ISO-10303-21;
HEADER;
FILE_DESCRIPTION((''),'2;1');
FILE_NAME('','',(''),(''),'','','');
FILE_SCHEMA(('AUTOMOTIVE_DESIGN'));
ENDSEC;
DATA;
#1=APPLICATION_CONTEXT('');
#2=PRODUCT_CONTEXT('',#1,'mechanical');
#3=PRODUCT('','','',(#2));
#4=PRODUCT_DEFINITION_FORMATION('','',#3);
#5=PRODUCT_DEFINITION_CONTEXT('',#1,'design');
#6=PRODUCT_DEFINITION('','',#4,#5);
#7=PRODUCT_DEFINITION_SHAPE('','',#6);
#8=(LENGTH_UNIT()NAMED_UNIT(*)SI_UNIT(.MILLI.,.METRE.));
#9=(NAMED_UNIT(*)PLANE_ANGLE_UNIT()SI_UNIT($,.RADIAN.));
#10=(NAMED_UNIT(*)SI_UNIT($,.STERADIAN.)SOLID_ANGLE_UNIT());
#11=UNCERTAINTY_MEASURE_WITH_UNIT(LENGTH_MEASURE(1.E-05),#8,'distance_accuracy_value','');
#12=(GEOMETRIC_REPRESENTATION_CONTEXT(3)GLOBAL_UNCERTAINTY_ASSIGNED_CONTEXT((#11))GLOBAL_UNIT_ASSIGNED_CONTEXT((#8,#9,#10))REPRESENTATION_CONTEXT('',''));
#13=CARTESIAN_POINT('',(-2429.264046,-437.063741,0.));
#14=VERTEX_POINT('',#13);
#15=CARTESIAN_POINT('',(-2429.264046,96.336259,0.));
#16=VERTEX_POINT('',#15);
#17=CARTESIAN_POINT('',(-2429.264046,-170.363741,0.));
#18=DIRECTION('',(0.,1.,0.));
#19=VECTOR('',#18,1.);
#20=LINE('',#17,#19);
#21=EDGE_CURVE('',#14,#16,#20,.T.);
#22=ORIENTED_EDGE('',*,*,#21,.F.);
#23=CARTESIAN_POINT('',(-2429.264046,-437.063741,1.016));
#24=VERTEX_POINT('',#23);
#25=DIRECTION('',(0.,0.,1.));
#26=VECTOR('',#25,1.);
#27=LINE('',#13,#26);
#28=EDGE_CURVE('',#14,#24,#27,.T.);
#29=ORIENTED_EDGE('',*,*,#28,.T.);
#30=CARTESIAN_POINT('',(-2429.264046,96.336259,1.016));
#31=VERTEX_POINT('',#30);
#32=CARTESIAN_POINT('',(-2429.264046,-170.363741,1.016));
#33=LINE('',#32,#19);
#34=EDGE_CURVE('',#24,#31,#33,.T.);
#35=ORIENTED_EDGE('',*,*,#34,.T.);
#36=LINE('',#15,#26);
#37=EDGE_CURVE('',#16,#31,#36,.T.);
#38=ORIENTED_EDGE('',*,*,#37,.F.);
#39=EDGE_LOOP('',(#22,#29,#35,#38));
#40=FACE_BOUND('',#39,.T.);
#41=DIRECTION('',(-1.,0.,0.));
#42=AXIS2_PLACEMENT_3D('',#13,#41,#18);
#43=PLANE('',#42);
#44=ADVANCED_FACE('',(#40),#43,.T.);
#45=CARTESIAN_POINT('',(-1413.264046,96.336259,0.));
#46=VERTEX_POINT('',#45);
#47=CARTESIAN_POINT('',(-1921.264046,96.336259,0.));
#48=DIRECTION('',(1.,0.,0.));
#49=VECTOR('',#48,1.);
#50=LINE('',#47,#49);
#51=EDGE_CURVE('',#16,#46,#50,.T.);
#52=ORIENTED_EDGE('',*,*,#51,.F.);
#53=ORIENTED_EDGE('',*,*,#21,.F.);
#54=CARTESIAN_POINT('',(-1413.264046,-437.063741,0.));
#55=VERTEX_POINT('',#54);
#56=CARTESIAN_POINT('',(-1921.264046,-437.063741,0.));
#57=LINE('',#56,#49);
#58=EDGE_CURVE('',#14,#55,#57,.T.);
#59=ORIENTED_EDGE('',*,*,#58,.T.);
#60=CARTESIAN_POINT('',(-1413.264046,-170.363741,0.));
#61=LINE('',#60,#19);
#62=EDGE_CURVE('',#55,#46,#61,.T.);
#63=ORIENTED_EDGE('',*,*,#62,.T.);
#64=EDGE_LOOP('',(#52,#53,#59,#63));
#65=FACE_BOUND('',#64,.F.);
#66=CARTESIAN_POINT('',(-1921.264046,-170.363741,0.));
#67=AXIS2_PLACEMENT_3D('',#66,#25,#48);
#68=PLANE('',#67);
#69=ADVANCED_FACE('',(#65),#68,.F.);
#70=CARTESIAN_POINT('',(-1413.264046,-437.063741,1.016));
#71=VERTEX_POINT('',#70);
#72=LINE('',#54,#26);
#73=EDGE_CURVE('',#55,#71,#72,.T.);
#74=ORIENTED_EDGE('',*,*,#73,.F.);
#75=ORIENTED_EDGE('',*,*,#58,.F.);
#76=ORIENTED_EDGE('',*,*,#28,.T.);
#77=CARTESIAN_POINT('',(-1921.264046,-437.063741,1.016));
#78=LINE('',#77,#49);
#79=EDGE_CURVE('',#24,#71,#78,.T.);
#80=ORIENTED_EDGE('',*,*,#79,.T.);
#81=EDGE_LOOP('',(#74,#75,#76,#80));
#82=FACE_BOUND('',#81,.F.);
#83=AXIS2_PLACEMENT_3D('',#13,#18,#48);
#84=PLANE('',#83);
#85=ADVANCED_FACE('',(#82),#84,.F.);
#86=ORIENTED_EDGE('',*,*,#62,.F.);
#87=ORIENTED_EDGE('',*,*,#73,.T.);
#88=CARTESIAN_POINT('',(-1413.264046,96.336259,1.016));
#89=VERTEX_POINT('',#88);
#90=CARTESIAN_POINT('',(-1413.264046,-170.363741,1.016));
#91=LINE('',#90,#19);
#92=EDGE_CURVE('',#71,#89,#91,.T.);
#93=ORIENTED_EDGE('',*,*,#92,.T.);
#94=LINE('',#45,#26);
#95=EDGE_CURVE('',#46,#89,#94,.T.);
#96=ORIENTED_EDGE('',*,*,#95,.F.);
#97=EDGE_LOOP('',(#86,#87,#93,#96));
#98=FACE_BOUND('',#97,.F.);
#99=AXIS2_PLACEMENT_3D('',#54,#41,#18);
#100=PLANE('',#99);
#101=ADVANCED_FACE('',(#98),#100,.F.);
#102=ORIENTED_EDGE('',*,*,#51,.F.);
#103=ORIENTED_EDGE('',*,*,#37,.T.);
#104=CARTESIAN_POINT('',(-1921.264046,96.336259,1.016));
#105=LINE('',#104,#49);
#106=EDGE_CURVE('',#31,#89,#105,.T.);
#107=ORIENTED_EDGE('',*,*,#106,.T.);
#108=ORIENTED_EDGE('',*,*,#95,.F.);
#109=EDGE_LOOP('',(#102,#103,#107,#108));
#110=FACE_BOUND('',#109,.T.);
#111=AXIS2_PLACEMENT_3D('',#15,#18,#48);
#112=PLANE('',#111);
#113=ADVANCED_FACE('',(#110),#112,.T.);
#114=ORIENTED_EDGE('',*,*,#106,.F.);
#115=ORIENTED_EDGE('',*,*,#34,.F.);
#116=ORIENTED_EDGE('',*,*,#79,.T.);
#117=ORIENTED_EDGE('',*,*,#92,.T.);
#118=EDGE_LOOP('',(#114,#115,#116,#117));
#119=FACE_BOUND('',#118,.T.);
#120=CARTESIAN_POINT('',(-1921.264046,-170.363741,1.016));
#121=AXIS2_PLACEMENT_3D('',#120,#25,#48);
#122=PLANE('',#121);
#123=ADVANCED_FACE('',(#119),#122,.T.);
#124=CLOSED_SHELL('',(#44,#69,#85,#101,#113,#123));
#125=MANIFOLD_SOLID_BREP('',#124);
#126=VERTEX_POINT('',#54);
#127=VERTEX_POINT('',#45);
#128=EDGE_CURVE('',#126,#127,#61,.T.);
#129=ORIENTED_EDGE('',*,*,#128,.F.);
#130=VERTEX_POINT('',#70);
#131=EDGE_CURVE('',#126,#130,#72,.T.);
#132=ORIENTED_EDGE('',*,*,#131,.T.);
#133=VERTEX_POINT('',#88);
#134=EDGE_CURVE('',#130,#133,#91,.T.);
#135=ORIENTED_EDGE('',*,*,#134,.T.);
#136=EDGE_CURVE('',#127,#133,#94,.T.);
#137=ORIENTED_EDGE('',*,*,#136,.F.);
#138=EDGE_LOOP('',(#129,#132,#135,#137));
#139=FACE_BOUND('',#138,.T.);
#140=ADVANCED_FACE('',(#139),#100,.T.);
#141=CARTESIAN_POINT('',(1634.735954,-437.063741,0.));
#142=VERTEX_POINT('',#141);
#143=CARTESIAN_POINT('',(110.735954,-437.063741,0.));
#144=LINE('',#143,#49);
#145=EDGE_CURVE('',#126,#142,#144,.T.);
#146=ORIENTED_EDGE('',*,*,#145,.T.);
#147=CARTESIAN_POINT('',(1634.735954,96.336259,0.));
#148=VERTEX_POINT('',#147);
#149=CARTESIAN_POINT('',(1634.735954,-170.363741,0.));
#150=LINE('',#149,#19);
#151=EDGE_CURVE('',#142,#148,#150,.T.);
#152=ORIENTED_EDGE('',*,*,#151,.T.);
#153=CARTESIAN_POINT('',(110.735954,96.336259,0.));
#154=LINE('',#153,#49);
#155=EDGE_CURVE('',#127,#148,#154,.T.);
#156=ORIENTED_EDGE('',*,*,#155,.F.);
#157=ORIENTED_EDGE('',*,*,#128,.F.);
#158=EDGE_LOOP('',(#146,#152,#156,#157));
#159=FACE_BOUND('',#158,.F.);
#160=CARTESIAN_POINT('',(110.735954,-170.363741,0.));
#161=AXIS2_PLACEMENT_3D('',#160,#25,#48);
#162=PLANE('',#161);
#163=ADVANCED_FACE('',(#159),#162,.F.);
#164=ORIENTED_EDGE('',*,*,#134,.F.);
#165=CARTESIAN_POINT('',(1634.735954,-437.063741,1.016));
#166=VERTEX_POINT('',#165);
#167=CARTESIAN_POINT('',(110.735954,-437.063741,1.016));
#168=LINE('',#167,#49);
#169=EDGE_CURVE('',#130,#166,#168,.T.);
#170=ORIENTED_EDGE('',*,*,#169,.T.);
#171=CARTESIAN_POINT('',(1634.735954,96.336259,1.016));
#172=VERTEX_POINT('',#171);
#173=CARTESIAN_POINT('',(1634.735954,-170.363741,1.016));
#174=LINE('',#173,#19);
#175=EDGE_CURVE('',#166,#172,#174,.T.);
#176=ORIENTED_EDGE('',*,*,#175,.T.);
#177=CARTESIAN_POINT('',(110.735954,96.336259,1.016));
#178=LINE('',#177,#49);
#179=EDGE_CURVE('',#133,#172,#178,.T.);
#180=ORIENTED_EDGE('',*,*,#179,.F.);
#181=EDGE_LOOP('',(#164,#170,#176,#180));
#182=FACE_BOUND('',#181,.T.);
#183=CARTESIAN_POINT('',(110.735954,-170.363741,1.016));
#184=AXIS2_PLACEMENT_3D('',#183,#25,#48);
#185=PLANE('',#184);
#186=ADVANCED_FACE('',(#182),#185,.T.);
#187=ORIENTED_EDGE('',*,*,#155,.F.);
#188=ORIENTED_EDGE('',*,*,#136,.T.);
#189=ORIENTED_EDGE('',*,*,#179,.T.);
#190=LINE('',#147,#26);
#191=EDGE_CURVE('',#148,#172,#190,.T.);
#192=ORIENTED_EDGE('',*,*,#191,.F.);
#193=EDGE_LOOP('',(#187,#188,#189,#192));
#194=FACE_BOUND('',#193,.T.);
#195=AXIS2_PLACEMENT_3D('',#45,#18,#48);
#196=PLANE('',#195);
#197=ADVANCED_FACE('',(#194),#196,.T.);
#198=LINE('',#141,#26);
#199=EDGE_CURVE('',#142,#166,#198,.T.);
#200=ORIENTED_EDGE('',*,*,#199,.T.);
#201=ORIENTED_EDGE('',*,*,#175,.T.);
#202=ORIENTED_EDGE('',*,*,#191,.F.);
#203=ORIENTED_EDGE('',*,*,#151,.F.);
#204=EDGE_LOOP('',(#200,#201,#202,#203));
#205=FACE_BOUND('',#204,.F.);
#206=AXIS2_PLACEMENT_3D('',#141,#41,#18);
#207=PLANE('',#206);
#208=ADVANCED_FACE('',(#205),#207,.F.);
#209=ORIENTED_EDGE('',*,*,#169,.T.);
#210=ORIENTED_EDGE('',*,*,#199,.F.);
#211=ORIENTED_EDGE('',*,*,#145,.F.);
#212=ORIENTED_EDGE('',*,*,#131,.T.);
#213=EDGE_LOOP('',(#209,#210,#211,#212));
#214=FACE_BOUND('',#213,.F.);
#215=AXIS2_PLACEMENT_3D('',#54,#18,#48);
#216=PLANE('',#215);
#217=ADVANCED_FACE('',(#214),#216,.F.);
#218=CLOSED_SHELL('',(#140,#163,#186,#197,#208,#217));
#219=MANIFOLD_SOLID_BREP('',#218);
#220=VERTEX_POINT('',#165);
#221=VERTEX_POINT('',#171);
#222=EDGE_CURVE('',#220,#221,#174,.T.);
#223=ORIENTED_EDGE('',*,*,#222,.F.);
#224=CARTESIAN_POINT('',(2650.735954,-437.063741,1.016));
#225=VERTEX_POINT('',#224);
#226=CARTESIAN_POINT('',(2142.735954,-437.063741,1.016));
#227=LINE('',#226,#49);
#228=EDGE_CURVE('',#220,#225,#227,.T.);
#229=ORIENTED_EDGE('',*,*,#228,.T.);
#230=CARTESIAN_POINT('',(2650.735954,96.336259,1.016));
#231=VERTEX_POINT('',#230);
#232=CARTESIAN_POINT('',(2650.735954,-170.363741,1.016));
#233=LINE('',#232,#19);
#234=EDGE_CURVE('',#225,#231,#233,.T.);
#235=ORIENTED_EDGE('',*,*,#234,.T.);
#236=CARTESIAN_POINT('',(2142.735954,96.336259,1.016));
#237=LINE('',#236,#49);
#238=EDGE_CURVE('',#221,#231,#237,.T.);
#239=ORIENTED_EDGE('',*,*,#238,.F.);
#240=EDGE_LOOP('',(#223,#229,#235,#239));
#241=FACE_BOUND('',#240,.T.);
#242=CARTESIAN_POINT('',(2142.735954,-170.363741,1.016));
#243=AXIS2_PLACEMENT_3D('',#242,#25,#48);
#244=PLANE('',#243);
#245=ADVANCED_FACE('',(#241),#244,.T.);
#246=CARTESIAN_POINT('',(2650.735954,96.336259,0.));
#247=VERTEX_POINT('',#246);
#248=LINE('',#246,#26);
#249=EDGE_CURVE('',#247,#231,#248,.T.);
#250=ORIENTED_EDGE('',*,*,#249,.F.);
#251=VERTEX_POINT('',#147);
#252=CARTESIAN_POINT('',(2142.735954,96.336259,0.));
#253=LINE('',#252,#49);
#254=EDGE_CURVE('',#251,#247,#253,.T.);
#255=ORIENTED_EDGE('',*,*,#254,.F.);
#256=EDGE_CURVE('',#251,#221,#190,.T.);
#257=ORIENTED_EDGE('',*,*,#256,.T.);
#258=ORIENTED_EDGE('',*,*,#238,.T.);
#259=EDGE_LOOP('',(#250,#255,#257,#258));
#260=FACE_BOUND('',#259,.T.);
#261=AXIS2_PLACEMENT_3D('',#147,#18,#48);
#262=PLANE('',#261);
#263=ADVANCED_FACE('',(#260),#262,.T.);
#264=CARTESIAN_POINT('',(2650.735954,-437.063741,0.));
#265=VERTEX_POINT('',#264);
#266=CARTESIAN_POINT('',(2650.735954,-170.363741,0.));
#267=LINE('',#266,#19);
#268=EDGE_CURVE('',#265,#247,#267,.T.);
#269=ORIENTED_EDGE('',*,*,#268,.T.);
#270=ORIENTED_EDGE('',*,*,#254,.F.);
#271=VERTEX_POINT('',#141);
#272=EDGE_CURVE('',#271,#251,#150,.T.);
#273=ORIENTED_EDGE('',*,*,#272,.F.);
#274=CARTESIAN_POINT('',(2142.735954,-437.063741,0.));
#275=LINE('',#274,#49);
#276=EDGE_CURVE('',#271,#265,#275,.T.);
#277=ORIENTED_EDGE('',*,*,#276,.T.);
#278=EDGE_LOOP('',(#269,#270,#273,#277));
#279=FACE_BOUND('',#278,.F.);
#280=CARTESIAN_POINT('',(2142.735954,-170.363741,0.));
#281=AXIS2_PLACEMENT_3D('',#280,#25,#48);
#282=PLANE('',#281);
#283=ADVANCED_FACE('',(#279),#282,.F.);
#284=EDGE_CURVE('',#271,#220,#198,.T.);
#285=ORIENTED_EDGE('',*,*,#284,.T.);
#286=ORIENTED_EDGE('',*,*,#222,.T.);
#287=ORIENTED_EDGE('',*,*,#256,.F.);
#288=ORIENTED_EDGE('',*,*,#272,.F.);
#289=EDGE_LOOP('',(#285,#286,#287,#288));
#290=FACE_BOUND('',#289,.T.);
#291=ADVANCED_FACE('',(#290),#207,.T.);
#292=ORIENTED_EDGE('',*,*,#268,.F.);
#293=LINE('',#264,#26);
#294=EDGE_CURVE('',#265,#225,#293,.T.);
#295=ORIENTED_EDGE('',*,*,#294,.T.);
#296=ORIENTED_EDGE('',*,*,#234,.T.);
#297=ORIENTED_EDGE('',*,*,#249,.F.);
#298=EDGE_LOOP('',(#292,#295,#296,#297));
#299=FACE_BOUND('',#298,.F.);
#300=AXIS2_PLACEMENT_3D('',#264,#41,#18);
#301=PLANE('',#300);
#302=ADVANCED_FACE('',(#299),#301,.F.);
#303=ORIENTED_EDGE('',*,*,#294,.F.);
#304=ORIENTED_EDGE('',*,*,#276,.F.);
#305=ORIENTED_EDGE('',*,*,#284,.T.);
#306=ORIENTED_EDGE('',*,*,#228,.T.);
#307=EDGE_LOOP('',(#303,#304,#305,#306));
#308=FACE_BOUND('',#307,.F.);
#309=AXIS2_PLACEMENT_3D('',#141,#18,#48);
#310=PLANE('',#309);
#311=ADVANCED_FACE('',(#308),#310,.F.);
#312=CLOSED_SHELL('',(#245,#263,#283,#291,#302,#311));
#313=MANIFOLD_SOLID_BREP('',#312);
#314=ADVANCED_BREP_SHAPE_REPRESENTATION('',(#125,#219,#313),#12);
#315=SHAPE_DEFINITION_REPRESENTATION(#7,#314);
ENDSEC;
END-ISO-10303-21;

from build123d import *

# Parameters (mm, degrees)
F0_W     = 3048
F0_H     = 533.4
F1_DEPTH = 1.016
F0_W_2   = 1016
F2_DEPTH = 1.016


with BuildPart() as f1:
    # F0 (on Top) → F1 (new body)
    with BuildSketch(Plane.XY):
        with Locations((110.735954, -170.363741)):
            Rectangle(F0_W, F0_H)
    extrude(amount=F1_DEPTH)


with BuildPart() as f2:
    # F0 (on Top) → F2 (new body)
    with BuildSketch(Plane.XY):
        with Locations((-1921.264046, -170.363741)):
            Rectangle(F0_W_2, F0_H)
        with Locations((2142.735954, -170.363741)):
            Rectangle(F0_W_2, F0_H)
    extrude(amount=F2_DEPTH)


solid = Compound([f1.part, f2.part])
